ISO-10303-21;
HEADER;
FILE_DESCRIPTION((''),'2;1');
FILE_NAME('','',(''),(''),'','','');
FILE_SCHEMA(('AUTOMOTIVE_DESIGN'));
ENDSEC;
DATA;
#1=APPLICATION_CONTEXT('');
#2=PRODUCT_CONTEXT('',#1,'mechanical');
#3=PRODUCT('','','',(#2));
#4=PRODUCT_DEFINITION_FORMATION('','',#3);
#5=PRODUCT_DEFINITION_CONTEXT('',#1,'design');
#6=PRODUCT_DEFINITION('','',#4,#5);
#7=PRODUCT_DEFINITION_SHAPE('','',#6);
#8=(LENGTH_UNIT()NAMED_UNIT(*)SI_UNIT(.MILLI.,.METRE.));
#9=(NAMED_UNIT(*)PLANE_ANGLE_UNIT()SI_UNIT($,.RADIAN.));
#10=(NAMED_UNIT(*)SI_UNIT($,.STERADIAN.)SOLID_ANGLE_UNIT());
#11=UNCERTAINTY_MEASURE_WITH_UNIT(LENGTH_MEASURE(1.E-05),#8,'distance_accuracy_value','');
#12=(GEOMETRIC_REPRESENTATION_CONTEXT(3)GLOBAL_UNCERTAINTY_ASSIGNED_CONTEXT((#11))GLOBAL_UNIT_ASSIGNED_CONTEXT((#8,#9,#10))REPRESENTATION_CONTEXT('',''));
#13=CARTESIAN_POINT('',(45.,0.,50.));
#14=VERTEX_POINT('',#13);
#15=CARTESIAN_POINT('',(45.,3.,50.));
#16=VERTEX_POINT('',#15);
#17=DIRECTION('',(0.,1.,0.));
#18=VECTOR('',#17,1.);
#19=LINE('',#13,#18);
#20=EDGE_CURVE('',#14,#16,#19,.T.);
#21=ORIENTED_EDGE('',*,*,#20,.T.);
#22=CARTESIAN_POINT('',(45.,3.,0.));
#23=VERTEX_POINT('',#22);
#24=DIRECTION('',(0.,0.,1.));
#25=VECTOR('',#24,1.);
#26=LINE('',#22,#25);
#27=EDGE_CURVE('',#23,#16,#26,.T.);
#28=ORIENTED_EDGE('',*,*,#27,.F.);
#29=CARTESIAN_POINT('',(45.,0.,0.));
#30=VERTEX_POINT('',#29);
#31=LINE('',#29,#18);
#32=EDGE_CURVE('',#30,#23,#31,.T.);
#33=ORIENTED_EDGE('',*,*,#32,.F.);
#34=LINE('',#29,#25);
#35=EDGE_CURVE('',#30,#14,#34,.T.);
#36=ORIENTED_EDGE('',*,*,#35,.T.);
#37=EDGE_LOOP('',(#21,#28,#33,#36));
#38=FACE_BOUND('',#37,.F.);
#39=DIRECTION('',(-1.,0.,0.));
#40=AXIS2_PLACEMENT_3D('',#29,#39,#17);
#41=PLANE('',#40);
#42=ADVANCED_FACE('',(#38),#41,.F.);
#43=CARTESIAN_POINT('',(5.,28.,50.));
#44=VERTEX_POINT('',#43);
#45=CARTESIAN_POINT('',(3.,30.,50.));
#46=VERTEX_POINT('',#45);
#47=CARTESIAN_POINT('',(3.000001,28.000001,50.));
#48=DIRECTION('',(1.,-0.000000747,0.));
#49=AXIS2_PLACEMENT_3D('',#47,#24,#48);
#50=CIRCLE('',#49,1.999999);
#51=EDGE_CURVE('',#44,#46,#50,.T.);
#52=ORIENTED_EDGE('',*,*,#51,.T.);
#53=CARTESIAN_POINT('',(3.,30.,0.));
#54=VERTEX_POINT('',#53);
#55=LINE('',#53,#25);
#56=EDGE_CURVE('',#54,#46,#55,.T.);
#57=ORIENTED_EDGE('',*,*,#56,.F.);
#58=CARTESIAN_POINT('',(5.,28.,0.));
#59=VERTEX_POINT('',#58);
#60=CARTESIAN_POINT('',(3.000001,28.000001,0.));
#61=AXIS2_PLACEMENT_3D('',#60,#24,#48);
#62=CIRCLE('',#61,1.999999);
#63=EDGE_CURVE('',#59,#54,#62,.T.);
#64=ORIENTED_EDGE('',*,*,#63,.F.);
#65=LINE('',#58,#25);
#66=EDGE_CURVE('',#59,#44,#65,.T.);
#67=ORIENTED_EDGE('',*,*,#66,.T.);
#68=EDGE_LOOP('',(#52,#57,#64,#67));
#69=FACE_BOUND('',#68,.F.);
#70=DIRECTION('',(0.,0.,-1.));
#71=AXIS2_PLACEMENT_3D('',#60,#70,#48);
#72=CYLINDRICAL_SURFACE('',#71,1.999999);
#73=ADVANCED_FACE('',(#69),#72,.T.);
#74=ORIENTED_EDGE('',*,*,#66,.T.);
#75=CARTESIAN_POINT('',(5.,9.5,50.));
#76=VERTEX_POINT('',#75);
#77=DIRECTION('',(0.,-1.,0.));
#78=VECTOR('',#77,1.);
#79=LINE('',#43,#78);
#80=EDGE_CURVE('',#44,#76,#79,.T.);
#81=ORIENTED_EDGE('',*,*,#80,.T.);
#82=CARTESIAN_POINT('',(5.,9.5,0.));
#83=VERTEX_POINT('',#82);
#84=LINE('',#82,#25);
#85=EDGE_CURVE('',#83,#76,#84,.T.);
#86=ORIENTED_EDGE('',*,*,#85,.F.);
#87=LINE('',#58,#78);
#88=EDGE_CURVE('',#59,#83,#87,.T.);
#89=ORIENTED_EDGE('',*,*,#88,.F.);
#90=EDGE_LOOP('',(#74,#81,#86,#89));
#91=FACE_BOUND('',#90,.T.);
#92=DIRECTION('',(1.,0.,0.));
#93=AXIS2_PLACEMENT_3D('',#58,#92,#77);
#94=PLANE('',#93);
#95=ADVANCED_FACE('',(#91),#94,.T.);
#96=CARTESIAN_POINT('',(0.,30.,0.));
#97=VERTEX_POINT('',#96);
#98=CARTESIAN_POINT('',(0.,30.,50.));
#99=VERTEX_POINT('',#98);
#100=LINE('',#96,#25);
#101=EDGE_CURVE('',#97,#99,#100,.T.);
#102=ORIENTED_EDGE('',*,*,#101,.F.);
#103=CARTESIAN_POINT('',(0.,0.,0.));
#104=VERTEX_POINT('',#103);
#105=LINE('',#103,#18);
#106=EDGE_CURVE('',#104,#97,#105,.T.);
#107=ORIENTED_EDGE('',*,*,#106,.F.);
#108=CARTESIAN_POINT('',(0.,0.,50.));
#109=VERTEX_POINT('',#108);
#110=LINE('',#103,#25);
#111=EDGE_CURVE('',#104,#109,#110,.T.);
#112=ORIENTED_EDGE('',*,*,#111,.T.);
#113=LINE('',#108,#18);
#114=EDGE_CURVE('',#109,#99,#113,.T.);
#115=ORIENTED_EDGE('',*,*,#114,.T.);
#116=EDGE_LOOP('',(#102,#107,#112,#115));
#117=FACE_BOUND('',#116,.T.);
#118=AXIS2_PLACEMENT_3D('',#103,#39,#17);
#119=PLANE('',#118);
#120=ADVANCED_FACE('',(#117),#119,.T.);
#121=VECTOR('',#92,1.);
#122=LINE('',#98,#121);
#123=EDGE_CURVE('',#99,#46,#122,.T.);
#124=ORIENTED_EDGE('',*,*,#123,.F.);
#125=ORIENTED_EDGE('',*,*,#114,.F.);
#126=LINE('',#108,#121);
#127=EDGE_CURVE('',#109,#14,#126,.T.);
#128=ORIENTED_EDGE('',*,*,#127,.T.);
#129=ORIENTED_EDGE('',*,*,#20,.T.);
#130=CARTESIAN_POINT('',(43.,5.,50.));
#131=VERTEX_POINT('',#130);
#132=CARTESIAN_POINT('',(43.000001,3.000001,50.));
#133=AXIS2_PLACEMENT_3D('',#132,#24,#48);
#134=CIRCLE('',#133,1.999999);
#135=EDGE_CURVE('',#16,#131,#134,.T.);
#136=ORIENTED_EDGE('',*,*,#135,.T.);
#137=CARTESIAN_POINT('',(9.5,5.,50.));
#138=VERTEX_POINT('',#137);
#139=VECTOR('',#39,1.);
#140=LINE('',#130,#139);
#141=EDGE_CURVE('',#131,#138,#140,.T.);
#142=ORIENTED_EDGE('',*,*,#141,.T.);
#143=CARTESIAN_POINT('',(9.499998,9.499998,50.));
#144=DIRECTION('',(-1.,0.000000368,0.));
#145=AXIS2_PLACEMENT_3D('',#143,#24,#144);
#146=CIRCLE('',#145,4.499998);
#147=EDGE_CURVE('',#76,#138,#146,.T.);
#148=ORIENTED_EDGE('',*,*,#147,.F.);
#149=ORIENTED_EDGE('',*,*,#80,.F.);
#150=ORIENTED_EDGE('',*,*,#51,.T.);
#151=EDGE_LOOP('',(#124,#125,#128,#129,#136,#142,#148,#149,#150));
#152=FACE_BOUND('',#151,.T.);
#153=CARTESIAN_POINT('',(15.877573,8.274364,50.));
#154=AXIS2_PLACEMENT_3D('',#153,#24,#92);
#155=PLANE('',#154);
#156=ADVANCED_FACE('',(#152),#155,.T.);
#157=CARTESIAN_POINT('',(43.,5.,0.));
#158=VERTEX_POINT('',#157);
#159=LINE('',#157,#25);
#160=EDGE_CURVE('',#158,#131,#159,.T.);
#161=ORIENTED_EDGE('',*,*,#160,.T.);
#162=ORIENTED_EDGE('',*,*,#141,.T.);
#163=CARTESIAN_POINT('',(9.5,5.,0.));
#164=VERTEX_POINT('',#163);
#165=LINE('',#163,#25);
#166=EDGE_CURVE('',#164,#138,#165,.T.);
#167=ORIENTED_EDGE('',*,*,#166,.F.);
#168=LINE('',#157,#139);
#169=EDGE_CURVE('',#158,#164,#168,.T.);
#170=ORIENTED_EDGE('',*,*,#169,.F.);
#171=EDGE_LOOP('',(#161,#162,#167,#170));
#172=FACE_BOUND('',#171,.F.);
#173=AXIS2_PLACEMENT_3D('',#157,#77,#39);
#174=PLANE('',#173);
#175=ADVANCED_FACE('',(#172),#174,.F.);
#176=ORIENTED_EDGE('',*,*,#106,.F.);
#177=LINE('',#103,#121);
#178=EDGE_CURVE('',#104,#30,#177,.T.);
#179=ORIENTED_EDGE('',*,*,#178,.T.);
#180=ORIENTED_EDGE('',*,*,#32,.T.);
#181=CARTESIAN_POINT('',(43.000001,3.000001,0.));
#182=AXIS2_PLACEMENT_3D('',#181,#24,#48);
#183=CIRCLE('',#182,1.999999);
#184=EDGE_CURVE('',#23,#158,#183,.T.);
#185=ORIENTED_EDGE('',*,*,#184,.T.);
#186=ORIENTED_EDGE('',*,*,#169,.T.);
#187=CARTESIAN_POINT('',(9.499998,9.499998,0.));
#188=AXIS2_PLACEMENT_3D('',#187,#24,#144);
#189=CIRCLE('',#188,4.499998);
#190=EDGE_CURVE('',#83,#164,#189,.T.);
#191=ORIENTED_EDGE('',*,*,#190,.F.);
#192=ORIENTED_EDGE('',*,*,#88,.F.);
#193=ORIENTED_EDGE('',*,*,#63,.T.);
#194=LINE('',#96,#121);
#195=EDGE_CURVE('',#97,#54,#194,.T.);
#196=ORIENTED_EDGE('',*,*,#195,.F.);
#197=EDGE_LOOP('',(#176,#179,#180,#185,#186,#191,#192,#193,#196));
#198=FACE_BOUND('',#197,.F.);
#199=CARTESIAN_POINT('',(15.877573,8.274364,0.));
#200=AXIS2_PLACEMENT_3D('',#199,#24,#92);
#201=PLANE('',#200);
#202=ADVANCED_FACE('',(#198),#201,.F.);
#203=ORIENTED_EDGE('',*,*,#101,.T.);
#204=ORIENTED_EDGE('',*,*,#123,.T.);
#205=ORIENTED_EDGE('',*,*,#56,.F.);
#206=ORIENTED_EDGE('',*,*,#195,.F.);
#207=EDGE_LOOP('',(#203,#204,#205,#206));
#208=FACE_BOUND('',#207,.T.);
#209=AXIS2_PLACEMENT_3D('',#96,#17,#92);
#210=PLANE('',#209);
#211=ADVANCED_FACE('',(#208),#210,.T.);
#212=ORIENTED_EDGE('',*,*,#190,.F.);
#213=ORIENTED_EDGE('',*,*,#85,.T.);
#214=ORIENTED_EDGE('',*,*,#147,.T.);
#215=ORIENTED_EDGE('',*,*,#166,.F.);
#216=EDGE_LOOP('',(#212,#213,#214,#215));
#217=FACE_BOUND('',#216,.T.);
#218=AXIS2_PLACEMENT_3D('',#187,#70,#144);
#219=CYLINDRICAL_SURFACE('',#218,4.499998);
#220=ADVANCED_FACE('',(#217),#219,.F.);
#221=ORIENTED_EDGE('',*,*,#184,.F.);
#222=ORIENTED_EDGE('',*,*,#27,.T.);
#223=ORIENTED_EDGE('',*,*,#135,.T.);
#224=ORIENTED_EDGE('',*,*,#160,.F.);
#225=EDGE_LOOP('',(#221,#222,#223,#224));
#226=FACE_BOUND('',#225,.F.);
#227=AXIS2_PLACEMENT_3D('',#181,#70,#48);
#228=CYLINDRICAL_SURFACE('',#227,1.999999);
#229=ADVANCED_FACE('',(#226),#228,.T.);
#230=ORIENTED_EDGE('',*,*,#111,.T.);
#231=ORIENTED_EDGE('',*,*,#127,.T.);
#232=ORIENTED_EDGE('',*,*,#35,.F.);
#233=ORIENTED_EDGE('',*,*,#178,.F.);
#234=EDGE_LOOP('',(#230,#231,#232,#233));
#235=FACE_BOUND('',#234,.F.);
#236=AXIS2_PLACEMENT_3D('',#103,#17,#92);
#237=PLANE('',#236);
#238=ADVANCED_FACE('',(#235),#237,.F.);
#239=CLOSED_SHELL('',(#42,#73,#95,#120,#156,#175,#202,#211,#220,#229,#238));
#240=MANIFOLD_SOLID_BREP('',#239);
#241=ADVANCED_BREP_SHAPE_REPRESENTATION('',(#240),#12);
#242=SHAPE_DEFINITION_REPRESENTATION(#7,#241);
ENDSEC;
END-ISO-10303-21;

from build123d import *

# Parameters (mm, degrees)
EXTRUDE_DEPTH = 50


with BuildPart() as part:
    # Sketch → Extrude (new body)
    with BuildSketch(Plane.XY):
        with BuildLine():
            Line((0, 0), (45, 0))
            Line((45, 0), (45, 3))
            ThreePointArc((45, 3), (44.414214, 4.414214), (43, 5))
            Line((43, 5), (9.5, 5))
            ThreePointArc((5, 9.5), (6.318019, 6.318019), (9.5, 5))
            Line((5, 28), (5, 9.5))
            ThreePointArc((5, 28), (4.414214, 29.414214), (3, 30))
            Line((0, 30), (3, 30))
            Line((0, 0), (0, 30))
        make_face()
    extrude(amount=EXTRUDE_DEPTH)


solid = part.part
